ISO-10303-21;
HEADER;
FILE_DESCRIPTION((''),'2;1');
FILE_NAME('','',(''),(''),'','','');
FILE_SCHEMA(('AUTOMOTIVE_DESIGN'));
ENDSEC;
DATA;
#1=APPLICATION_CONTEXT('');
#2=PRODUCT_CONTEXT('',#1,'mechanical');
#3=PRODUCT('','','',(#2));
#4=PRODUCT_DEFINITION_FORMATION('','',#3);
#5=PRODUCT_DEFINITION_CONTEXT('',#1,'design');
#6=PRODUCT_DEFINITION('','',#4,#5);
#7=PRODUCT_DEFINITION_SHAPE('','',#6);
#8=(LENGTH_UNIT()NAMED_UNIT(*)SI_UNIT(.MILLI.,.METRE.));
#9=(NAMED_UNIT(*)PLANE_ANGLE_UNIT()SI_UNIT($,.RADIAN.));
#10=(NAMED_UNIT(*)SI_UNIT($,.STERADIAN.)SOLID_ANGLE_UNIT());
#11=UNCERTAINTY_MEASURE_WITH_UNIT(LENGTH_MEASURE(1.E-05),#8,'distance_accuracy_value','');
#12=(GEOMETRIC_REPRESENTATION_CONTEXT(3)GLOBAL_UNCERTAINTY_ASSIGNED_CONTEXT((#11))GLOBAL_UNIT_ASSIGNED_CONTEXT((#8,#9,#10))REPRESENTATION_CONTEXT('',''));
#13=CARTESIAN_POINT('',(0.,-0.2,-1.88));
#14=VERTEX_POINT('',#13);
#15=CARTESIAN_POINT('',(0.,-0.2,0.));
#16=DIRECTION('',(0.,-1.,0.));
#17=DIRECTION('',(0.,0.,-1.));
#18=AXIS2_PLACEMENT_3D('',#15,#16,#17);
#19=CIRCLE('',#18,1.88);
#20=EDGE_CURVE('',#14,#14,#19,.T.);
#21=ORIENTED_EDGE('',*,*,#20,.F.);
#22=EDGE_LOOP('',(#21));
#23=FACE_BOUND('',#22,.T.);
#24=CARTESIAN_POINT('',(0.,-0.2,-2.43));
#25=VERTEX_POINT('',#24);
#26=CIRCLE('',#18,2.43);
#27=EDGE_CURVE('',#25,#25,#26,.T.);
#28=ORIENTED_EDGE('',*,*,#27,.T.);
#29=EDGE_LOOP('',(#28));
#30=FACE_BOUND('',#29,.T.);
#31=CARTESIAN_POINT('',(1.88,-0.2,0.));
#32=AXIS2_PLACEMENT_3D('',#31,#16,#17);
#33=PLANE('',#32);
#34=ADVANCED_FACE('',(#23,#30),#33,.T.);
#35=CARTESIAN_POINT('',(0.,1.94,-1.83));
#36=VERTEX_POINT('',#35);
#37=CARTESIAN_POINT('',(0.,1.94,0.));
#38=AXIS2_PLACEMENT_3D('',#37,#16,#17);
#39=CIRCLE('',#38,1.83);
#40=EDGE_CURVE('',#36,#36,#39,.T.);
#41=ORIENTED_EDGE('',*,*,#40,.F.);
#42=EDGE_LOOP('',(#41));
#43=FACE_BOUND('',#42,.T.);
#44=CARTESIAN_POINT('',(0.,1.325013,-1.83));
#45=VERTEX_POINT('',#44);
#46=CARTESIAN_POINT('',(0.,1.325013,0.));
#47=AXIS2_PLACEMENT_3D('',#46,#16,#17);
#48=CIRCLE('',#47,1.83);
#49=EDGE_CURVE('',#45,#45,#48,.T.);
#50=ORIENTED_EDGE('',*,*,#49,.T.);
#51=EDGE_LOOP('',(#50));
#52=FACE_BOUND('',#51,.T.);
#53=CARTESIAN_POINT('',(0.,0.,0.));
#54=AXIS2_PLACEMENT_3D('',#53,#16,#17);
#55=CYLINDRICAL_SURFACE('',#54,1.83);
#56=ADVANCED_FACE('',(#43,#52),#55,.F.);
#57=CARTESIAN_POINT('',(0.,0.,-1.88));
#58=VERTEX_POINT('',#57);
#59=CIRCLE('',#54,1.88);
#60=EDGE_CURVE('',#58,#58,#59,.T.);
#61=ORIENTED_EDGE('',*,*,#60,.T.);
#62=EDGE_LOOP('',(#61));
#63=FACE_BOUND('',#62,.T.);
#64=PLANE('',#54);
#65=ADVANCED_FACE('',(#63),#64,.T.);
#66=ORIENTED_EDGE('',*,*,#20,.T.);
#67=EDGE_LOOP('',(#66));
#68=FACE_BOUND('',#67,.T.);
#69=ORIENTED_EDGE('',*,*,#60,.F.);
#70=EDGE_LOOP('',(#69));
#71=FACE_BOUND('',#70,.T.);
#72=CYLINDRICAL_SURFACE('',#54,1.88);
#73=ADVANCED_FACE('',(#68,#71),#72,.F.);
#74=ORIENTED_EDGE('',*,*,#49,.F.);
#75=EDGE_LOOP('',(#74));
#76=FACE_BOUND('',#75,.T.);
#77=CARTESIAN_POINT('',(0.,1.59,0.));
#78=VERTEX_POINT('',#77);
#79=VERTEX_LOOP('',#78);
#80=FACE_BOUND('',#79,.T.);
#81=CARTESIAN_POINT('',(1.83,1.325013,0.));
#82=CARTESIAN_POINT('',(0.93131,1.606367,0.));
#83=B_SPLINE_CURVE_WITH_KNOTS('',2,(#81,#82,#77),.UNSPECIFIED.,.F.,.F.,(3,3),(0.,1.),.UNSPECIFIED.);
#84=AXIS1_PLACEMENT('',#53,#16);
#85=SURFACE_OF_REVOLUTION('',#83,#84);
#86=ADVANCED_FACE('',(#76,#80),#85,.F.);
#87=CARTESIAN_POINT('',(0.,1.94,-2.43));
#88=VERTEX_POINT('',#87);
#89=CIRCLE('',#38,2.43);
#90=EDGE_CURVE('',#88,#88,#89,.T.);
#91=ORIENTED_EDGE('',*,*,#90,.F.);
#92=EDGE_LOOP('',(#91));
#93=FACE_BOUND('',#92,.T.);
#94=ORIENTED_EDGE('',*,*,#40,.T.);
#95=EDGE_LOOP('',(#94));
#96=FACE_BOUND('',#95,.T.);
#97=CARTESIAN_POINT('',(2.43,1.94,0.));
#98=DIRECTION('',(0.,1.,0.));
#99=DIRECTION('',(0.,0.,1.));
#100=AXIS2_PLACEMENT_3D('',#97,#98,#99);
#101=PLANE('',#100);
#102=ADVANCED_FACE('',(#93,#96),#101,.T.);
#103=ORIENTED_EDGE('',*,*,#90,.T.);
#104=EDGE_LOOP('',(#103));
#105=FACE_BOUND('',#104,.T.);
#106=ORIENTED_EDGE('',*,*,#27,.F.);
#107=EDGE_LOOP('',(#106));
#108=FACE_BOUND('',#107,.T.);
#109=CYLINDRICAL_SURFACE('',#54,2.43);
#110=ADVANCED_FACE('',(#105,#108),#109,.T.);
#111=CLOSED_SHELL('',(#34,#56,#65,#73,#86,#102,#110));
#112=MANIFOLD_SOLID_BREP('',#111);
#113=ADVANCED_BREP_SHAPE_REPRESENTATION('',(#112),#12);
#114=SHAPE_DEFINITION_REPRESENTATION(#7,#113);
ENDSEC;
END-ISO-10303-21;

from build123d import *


with BuildPart() as part:
    # Sketch1 → Revolve1 (revolve)
    with BuildSketch(Plane.XY):
        with BuildLine():
            Line((0, 0), (1.88, 0))
            Line((1.88, 0), (1.88, -0.2))
            Line((1.88, -0.2), (2.43, -0.2))
            Line((2.43, -0.2), (2.43, 1.94))
            Line((2.43, 1.94), (1.83, 1.94))
            Line((1.83, 1.94), (1.83, 1.325012736))
            add(Edge.make_bspline(
                [(1.83, 1.325012736), (0.931309896, 1.606367381), (0, 1.59)],
                knots=[0, 0, 0, 1, 1, 1], degree=2))
            Line((0, 1.59), (0, 0))
        make_face()
    revolve(axis=Axis((0, 0, 0), (0, 1, 0)))


solid = part.part
